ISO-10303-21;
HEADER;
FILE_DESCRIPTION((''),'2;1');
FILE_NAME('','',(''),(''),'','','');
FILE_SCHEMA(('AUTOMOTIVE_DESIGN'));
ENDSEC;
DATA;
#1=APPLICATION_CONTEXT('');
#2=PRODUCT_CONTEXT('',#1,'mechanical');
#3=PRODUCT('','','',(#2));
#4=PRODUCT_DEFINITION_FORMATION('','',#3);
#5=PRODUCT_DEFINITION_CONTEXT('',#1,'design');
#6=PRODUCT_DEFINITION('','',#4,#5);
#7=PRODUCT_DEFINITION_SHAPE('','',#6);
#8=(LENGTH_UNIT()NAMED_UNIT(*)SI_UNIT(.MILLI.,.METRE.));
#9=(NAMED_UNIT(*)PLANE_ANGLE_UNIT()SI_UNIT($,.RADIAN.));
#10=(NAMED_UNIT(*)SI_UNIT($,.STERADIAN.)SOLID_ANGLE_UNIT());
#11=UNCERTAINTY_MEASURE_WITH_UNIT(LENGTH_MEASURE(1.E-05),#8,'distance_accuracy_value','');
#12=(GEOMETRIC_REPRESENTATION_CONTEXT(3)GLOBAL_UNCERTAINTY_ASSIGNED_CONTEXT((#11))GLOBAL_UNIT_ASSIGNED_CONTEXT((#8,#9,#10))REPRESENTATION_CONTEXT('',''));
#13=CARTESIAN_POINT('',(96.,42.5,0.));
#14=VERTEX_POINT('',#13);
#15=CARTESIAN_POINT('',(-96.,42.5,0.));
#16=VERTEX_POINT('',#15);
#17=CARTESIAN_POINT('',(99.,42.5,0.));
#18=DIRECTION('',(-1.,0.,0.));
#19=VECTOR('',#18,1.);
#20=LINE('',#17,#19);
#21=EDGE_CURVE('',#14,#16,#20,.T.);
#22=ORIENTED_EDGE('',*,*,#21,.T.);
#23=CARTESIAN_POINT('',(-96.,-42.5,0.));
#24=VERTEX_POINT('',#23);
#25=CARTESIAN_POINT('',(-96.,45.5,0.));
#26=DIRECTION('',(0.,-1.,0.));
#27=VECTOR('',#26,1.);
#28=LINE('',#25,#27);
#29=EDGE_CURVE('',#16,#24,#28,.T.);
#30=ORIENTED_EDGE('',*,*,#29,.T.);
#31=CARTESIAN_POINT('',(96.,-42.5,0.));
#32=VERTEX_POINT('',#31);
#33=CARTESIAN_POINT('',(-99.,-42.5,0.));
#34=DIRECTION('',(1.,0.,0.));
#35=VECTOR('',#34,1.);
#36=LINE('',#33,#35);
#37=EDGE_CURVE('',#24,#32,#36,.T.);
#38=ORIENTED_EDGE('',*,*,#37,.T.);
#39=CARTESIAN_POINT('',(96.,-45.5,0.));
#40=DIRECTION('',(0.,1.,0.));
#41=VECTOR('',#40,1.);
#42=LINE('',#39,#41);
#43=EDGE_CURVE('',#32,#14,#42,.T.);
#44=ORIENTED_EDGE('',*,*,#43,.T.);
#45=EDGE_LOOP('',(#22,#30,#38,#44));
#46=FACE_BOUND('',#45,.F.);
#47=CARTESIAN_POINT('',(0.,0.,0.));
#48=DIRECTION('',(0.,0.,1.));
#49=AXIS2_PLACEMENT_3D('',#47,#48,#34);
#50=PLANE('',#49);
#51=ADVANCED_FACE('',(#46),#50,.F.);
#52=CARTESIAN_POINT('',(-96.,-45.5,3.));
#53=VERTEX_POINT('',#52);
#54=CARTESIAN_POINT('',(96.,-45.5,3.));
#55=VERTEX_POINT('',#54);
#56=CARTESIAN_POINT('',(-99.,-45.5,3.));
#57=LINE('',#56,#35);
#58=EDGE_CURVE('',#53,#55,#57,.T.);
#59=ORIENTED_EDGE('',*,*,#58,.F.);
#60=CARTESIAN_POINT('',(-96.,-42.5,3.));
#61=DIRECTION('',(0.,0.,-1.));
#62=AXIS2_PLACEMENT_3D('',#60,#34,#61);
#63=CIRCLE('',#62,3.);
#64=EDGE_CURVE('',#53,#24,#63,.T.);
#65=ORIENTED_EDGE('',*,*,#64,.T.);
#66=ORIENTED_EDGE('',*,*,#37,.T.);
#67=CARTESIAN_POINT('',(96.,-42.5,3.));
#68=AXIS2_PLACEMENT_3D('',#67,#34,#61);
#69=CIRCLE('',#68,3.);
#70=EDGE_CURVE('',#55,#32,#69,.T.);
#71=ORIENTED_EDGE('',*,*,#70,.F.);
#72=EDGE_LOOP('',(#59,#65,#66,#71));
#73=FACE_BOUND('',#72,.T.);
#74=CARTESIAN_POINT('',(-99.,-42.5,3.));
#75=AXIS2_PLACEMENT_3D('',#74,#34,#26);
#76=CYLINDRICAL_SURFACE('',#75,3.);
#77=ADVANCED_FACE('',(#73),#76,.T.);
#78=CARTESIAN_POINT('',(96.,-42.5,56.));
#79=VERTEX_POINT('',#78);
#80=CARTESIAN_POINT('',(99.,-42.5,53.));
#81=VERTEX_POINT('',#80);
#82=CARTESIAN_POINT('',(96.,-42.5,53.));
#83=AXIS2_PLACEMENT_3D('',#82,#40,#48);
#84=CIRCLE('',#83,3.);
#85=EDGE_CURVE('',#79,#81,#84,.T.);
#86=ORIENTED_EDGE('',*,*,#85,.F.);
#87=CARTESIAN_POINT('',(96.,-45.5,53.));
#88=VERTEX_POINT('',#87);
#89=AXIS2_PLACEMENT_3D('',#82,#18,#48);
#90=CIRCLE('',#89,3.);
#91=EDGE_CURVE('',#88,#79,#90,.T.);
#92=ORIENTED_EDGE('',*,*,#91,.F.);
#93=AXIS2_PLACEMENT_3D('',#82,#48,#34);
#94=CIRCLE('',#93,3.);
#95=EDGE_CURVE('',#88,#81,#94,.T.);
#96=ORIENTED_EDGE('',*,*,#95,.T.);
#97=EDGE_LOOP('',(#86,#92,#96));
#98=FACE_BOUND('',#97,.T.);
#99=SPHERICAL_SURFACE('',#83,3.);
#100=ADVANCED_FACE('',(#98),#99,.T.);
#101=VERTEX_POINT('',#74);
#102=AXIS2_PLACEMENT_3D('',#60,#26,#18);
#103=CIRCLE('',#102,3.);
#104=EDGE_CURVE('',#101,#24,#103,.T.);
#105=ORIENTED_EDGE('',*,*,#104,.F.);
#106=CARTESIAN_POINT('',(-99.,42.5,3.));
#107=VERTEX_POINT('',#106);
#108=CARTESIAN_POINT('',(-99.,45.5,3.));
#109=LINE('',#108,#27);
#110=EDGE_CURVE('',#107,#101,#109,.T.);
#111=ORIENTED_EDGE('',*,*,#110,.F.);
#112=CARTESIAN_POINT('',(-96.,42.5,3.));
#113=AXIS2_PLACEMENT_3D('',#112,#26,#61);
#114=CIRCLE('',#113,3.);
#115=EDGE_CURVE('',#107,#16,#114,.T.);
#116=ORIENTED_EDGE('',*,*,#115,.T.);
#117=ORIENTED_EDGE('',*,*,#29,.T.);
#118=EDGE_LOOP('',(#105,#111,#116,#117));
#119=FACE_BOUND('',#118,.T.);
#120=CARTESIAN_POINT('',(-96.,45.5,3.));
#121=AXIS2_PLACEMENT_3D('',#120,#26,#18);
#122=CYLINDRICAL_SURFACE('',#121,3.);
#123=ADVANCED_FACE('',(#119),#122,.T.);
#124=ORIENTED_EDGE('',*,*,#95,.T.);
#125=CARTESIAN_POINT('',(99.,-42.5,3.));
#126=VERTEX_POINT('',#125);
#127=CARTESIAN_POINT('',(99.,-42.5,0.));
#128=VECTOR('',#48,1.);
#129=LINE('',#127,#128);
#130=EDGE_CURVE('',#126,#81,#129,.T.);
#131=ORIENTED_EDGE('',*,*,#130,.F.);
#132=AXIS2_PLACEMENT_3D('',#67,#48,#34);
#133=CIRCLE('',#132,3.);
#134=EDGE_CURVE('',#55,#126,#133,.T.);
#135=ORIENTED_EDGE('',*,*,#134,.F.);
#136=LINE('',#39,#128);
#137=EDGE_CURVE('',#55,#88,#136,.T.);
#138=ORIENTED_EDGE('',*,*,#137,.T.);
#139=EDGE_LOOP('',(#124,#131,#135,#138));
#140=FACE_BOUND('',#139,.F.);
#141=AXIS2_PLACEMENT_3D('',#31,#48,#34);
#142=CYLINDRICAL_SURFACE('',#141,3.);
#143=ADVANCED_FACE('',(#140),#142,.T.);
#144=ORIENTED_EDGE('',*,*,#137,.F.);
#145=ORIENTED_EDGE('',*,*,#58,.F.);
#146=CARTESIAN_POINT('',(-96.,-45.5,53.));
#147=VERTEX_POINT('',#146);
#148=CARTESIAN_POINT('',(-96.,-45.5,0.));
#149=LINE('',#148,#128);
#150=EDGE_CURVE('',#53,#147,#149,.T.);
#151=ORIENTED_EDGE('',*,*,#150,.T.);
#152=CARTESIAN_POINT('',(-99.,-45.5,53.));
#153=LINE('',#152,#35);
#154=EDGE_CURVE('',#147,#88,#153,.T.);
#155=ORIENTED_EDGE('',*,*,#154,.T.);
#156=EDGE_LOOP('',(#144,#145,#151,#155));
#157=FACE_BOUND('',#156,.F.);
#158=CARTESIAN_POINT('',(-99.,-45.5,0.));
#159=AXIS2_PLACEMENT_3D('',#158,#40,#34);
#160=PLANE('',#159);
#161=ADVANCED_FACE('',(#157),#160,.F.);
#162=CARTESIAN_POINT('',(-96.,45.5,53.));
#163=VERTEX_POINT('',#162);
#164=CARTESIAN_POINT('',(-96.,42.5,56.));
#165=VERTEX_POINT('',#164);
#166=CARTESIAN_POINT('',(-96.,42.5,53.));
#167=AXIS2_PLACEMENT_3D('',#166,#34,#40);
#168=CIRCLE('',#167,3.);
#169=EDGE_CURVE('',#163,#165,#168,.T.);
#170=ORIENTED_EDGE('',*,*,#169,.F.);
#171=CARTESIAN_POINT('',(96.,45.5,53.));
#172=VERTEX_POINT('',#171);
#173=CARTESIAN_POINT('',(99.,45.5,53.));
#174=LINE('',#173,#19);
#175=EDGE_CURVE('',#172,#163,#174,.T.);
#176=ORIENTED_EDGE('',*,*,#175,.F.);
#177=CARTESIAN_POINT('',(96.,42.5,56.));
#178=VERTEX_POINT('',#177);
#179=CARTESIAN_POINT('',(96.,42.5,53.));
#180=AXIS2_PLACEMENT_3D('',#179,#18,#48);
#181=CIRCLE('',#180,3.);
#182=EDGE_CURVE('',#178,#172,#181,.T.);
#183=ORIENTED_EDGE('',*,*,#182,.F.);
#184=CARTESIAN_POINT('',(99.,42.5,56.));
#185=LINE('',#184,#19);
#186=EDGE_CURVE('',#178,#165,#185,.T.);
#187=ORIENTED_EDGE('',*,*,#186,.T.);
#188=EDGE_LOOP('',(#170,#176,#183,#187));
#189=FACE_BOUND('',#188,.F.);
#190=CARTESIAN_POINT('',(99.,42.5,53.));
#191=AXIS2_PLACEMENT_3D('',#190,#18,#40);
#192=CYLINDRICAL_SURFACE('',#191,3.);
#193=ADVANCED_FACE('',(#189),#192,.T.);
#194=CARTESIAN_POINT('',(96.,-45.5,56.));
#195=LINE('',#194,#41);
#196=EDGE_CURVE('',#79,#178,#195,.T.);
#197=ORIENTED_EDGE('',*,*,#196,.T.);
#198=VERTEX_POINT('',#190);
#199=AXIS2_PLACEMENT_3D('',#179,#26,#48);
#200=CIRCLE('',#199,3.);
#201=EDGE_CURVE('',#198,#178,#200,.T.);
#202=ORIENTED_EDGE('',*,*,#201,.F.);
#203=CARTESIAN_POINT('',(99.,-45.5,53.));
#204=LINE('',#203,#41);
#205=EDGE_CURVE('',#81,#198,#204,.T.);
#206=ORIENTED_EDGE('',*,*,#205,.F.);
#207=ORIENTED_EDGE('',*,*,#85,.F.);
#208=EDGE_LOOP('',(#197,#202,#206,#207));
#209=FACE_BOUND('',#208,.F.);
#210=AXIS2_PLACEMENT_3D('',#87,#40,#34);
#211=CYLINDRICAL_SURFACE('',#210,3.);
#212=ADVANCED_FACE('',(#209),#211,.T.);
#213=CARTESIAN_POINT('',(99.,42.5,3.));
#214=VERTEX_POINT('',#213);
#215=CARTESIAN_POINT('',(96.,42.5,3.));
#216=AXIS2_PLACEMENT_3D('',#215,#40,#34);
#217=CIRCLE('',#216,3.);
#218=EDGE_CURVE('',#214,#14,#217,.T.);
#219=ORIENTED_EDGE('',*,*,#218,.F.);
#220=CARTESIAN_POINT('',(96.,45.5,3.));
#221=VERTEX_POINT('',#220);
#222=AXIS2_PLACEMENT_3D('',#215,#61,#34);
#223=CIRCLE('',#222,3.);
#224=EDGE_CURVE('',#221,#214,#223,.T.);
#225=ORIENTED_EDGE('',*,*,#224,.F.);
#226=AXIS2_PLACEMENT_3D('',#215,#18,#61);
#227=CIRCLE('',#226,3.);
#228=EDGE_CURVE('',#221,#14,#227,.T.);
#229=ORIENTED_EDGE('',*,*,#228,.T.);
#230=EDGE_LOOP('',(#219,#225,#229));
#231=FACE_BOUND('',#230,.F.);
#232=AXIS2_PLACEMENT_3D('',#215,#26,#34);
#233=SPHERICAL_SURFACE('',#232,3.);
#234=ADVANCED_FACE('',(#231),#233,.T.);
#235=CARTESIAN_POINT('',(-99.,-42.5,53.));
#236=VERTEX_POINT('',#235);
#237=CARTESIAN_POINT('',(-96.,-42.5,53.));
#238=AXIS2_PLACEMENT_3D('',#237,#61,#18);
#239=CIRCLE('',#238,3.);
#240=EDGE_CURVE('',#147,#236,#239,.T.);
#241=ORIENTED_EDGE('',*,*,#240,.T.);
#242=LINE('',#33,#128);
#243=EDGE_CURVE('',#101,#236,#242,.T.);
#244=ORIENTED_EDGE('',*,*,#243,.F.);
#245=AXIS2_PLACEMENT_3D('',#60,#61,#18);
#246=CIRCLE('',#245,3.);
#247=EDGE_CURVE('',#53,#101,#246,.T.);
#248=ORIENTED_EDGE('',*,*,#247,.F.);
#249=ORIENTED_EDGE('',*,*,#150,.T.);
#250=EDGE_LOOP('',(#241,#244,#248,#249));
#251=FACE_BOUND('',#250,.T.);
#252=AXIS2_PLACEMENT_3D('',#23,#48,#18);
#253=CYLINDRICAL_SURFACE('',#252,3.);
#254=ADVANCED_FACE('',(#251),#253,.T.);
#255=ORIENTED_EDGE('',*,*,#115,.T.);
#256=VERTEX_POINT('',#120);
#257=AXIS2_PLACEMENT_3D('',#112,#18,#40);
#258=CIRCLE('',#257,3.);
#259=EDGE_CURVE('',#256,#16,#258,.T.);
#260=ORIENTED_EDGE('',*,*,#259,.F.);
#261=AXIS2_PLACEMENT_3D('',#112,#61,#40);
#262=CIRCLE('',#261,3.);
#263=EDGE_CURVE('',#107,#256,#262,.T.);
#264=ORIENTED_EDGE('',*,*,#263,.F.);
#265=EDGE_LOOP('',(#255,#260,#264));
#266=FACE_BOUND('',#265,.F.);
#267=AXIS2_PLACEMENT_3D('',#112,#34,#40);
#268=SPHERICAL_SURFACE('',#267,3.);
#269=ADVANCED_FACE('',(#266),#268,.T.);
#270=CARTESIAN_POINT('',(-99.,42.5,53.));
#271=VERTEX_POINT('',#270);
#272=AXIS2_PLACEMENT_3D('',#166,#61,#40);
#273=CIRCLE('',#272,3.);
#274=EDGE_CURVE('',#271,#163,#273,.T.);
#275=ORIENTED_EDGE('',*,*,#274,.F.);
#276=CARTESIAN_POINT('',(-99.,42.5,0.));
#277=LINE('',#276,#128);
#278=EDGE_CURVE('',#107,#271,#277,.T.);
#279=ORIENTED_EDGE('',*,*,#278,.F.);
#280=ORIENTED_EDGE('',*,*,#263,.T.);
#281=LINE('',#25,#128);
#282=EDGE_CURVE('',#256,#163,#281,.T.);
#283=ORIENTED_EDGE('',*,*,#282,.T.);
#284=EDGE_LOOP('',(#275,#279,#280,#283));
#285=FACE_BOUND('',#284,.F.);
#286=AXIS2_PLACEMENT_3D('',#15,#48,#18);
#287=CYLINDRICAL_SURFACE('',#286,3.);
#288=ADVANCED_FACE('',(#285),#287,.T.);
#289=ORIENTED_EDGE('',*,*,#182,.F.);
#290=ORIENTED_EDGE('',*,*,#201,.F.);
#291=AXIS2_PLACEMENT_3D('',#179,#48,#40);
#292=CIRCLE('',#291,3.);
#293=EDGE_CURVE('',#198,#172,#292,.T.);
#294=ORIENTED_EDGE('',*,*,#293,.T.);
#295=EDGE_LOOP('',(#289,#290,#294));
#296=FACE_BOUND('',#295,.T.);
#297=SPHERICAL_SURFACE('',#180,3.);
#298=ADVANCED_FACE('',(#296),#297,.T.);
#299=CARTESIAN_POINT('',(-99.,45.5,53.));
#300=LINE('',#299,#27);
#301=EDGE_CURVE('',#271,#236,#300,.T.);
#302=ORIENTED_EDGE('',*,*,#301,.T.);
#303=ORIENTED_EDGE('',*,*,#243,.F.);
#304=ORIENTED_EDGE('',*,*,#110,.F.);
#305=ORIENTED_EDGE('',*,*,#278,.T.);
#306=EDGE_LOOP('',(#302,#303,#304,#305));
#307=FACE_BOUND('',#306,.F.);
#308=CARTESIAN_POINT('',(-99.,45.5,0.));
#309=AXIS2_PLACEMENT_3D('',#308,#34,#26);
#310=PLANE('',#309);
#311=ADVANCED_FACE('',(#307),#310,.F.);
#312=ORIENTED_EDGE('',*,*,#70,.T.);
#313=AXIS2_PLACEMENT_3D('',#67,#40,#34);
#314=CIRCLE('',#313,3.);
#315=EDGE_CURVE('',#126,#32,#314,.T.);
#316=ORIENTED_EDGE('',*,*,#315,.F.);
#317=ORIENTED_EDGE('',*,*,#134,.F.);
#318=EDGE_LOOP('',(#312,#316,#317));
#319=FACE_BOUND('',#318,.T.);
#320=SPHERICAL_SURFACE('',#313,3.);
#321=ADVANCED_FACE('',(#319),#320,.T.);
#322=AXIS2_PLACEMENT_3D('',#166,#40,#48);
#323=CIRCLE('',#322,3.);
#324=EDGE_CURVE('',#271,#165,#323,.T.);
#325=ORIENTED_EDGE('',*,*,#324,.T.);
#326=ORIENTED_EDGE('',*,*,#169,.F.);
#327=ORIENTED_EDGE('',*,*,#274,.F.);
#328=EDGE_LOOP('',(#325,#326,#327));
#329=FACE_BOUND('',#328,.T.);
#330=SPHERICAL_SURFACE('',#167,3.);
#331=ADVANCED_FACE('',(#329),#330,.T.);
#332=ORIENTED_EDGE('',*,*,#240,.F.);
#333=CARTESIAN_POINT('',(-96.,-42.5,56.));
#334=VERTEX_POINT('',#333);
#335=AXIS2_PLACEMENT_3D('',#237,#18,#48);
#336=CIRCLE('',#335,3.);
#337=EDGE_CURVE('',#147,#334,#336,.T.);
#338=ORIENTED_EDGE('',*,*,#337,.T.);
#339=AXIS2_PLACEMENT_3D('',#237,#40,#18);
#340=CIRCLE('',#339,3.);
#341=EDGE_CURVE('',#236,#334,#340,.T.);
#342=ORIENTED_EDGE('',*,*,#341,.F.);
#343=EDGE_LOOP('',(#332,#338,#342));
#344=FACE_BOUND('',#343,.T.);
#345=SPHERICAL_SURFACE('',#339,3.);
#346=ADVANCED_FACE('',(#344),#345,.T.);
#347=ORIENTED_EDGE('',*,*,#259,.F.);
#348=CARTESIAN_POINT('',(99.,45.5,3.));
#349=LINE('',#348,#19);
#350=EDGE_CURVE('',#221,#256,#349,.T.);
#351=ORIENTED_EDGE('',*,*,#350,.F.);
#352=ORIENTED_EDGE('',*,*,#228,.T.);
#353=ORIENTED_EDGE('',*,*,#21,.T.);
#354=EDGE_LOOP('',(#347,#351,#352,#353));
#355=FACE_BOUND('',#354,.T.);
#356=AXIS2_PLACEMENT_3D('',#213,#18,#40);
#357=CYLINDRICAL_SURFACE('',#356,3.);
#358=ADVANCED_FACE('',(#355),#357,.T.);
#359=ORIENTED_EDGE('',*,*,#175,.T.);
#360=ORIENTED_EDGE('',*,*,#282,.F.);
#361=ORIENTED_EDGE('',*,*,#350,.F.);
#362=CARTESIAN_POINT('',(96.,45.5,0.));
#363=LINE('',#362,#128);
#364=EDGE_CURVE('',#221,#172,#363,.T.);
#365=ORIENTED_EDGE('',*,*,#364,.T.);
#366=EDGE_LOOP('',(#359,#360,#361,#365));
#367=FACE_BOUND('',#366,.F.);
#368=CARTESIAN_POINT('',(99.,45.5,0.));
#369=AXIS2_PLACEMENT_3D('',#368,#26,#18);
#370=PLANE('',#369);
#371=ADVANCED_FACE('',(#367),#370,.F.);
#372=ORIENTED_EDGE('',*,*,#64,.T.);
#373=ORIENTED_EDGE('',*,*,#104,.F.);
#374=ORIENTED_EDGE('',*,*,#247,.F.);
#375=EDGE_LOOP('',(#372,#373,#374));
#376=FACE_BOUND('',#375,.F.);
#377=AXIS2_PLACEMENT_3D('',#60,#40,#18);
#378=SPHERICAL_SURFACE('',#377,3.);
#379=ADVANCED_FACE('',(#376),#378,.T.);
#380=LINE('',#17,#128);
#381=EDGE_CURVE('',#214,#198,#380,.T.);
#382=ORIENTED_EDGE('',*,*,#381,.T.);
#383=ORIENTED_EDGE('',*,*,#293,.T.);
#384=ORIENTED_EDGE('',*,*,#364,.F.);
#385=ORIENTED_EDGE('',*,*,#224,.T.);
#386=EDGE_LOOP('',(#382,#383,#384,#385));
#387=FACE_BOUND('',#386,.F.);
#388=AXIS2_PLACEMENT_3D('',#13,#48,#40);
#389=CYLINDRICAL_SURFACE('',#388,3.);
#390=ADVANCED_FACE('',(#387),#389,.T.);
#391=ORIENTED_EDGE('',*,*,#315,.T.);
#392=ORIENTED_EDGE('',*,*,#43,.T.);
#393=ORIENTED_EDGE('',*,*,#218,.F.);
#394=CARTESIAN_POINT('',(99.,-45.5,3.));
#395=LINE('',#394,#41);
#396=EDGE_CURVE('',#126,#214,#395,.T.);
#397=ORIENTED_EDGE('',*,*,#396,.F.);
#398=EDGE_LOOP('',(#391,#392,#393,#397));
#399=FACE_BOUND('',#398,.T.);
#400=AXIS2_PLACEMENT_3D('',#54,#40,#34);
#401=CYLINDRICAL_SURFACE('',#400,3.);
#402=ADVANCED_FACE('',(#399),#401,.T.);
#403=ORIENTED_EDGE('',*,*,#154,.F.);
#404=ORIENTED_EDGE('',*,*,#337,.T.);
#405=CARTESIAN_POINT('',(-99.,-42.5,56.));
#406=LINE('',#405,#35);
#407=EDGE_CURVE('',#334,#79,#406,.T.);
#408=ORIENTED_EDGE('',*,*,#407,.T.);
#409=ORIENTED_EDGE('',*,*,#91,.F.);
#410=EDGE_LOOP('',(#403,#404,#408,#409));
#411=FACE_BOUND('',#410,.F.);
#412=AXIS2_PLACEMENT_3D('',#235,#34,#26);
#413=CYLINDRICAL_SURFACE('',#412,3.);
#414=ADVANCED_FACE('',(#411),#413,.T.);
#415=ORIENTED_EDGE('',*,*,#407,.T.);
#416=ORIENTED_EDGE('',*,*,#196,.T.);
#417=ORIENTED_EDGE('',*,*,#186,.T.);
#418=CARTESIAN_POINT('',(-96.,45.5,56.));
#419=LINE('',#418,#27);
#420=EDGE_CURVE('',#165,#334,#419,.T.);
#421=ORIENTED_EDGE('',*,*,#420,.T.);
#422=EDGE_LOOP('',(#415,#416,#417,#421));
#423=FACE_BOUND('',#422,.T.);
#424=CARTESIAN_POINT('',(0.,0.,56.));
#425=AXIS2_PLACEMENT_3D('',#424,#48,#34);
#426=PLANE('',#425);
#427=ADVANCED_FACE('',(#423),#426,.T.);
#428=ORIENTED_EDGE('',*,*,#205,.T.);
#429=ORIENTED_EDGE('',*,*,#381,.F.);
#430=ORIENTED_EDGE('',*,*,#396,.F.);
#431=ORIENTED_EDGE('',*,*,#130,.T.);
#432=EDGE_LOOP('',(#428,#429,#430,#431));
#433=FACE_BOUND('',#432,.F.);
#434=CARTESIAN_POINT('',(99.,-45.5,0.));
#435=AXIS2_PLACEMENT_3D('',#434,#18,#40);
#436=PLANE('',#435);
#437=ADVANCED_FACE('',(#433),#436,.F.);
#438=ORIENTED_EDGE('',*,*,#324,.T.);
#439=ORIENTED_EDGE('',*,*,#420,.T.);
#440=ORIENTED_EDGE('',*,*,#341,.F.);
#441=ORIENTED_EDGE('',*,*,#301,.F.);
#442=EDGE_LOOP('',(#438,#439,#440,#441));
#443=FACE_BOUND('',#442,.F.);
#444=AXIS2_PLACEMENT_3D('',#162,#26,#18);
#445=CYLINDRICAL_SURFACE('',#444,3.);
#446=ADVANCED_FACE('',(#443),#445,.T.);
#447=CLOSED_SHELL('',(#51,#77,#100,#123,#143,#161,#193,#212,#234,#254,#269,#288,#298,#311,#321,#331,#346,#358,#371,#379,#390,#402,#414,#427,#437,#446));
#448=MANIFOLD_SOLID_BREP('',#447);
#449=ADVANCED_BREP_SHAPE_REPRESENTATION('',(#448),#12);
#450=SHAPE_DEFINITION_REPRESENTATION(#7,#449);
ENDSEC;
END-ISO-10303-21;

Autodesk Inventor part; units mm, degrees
ref_plane "YZ Plane" through (0, 0, 0) normal (1, 0, 0) x (0, 1, 0)
ref_plane "XZ Plane" through (0, 0, 0) normal (0, 1, 0) x (-1, 0, 0)
ref_plane "XY Plane" through (0, 0, 0) normal (0, 0, 1) x (1, 0, 0)
sketch "Sketch1" plane through (0, 0, 0) normal (0, 0, 1) x (1, 0, 0)
  line L0 (-99, -45.5) -> (99, -45.5)
  line L1 (99, -45.5) -> (99, 45.5)
  line L2 (99, 45.5) -> (-99, 45.5)
  line L3 (-99, 45.5) -> (-99, -45.5)
  line L4 (-99, -45.5) -> (99, 45.5) construction
  line L5 (99, -45.5) -> (-99, 45.5) construction
  point P0 (0, 0)
  dimension "d0" = 198
  dimension "d1" = 91
extrude "Extrusion1" add sketch "Sketch1" along normal blind 56
fillet "Fillet1" radius 3 12 edges at (0, 45.5, 56) (99, 0, 56) (99, 0, 0) (99, 45.5, 28) (0, 45.5, 0) (-99, 45.5, 28) (-99, 0, 56) (-99, 0, 0) (-99, -45.5, 28) (0, -45.5, 56) (99, -45.5, 28) (0, -45.5, 0)
properties part number "Zeee6S22Ah" material "Plastic, Opaque Black"
